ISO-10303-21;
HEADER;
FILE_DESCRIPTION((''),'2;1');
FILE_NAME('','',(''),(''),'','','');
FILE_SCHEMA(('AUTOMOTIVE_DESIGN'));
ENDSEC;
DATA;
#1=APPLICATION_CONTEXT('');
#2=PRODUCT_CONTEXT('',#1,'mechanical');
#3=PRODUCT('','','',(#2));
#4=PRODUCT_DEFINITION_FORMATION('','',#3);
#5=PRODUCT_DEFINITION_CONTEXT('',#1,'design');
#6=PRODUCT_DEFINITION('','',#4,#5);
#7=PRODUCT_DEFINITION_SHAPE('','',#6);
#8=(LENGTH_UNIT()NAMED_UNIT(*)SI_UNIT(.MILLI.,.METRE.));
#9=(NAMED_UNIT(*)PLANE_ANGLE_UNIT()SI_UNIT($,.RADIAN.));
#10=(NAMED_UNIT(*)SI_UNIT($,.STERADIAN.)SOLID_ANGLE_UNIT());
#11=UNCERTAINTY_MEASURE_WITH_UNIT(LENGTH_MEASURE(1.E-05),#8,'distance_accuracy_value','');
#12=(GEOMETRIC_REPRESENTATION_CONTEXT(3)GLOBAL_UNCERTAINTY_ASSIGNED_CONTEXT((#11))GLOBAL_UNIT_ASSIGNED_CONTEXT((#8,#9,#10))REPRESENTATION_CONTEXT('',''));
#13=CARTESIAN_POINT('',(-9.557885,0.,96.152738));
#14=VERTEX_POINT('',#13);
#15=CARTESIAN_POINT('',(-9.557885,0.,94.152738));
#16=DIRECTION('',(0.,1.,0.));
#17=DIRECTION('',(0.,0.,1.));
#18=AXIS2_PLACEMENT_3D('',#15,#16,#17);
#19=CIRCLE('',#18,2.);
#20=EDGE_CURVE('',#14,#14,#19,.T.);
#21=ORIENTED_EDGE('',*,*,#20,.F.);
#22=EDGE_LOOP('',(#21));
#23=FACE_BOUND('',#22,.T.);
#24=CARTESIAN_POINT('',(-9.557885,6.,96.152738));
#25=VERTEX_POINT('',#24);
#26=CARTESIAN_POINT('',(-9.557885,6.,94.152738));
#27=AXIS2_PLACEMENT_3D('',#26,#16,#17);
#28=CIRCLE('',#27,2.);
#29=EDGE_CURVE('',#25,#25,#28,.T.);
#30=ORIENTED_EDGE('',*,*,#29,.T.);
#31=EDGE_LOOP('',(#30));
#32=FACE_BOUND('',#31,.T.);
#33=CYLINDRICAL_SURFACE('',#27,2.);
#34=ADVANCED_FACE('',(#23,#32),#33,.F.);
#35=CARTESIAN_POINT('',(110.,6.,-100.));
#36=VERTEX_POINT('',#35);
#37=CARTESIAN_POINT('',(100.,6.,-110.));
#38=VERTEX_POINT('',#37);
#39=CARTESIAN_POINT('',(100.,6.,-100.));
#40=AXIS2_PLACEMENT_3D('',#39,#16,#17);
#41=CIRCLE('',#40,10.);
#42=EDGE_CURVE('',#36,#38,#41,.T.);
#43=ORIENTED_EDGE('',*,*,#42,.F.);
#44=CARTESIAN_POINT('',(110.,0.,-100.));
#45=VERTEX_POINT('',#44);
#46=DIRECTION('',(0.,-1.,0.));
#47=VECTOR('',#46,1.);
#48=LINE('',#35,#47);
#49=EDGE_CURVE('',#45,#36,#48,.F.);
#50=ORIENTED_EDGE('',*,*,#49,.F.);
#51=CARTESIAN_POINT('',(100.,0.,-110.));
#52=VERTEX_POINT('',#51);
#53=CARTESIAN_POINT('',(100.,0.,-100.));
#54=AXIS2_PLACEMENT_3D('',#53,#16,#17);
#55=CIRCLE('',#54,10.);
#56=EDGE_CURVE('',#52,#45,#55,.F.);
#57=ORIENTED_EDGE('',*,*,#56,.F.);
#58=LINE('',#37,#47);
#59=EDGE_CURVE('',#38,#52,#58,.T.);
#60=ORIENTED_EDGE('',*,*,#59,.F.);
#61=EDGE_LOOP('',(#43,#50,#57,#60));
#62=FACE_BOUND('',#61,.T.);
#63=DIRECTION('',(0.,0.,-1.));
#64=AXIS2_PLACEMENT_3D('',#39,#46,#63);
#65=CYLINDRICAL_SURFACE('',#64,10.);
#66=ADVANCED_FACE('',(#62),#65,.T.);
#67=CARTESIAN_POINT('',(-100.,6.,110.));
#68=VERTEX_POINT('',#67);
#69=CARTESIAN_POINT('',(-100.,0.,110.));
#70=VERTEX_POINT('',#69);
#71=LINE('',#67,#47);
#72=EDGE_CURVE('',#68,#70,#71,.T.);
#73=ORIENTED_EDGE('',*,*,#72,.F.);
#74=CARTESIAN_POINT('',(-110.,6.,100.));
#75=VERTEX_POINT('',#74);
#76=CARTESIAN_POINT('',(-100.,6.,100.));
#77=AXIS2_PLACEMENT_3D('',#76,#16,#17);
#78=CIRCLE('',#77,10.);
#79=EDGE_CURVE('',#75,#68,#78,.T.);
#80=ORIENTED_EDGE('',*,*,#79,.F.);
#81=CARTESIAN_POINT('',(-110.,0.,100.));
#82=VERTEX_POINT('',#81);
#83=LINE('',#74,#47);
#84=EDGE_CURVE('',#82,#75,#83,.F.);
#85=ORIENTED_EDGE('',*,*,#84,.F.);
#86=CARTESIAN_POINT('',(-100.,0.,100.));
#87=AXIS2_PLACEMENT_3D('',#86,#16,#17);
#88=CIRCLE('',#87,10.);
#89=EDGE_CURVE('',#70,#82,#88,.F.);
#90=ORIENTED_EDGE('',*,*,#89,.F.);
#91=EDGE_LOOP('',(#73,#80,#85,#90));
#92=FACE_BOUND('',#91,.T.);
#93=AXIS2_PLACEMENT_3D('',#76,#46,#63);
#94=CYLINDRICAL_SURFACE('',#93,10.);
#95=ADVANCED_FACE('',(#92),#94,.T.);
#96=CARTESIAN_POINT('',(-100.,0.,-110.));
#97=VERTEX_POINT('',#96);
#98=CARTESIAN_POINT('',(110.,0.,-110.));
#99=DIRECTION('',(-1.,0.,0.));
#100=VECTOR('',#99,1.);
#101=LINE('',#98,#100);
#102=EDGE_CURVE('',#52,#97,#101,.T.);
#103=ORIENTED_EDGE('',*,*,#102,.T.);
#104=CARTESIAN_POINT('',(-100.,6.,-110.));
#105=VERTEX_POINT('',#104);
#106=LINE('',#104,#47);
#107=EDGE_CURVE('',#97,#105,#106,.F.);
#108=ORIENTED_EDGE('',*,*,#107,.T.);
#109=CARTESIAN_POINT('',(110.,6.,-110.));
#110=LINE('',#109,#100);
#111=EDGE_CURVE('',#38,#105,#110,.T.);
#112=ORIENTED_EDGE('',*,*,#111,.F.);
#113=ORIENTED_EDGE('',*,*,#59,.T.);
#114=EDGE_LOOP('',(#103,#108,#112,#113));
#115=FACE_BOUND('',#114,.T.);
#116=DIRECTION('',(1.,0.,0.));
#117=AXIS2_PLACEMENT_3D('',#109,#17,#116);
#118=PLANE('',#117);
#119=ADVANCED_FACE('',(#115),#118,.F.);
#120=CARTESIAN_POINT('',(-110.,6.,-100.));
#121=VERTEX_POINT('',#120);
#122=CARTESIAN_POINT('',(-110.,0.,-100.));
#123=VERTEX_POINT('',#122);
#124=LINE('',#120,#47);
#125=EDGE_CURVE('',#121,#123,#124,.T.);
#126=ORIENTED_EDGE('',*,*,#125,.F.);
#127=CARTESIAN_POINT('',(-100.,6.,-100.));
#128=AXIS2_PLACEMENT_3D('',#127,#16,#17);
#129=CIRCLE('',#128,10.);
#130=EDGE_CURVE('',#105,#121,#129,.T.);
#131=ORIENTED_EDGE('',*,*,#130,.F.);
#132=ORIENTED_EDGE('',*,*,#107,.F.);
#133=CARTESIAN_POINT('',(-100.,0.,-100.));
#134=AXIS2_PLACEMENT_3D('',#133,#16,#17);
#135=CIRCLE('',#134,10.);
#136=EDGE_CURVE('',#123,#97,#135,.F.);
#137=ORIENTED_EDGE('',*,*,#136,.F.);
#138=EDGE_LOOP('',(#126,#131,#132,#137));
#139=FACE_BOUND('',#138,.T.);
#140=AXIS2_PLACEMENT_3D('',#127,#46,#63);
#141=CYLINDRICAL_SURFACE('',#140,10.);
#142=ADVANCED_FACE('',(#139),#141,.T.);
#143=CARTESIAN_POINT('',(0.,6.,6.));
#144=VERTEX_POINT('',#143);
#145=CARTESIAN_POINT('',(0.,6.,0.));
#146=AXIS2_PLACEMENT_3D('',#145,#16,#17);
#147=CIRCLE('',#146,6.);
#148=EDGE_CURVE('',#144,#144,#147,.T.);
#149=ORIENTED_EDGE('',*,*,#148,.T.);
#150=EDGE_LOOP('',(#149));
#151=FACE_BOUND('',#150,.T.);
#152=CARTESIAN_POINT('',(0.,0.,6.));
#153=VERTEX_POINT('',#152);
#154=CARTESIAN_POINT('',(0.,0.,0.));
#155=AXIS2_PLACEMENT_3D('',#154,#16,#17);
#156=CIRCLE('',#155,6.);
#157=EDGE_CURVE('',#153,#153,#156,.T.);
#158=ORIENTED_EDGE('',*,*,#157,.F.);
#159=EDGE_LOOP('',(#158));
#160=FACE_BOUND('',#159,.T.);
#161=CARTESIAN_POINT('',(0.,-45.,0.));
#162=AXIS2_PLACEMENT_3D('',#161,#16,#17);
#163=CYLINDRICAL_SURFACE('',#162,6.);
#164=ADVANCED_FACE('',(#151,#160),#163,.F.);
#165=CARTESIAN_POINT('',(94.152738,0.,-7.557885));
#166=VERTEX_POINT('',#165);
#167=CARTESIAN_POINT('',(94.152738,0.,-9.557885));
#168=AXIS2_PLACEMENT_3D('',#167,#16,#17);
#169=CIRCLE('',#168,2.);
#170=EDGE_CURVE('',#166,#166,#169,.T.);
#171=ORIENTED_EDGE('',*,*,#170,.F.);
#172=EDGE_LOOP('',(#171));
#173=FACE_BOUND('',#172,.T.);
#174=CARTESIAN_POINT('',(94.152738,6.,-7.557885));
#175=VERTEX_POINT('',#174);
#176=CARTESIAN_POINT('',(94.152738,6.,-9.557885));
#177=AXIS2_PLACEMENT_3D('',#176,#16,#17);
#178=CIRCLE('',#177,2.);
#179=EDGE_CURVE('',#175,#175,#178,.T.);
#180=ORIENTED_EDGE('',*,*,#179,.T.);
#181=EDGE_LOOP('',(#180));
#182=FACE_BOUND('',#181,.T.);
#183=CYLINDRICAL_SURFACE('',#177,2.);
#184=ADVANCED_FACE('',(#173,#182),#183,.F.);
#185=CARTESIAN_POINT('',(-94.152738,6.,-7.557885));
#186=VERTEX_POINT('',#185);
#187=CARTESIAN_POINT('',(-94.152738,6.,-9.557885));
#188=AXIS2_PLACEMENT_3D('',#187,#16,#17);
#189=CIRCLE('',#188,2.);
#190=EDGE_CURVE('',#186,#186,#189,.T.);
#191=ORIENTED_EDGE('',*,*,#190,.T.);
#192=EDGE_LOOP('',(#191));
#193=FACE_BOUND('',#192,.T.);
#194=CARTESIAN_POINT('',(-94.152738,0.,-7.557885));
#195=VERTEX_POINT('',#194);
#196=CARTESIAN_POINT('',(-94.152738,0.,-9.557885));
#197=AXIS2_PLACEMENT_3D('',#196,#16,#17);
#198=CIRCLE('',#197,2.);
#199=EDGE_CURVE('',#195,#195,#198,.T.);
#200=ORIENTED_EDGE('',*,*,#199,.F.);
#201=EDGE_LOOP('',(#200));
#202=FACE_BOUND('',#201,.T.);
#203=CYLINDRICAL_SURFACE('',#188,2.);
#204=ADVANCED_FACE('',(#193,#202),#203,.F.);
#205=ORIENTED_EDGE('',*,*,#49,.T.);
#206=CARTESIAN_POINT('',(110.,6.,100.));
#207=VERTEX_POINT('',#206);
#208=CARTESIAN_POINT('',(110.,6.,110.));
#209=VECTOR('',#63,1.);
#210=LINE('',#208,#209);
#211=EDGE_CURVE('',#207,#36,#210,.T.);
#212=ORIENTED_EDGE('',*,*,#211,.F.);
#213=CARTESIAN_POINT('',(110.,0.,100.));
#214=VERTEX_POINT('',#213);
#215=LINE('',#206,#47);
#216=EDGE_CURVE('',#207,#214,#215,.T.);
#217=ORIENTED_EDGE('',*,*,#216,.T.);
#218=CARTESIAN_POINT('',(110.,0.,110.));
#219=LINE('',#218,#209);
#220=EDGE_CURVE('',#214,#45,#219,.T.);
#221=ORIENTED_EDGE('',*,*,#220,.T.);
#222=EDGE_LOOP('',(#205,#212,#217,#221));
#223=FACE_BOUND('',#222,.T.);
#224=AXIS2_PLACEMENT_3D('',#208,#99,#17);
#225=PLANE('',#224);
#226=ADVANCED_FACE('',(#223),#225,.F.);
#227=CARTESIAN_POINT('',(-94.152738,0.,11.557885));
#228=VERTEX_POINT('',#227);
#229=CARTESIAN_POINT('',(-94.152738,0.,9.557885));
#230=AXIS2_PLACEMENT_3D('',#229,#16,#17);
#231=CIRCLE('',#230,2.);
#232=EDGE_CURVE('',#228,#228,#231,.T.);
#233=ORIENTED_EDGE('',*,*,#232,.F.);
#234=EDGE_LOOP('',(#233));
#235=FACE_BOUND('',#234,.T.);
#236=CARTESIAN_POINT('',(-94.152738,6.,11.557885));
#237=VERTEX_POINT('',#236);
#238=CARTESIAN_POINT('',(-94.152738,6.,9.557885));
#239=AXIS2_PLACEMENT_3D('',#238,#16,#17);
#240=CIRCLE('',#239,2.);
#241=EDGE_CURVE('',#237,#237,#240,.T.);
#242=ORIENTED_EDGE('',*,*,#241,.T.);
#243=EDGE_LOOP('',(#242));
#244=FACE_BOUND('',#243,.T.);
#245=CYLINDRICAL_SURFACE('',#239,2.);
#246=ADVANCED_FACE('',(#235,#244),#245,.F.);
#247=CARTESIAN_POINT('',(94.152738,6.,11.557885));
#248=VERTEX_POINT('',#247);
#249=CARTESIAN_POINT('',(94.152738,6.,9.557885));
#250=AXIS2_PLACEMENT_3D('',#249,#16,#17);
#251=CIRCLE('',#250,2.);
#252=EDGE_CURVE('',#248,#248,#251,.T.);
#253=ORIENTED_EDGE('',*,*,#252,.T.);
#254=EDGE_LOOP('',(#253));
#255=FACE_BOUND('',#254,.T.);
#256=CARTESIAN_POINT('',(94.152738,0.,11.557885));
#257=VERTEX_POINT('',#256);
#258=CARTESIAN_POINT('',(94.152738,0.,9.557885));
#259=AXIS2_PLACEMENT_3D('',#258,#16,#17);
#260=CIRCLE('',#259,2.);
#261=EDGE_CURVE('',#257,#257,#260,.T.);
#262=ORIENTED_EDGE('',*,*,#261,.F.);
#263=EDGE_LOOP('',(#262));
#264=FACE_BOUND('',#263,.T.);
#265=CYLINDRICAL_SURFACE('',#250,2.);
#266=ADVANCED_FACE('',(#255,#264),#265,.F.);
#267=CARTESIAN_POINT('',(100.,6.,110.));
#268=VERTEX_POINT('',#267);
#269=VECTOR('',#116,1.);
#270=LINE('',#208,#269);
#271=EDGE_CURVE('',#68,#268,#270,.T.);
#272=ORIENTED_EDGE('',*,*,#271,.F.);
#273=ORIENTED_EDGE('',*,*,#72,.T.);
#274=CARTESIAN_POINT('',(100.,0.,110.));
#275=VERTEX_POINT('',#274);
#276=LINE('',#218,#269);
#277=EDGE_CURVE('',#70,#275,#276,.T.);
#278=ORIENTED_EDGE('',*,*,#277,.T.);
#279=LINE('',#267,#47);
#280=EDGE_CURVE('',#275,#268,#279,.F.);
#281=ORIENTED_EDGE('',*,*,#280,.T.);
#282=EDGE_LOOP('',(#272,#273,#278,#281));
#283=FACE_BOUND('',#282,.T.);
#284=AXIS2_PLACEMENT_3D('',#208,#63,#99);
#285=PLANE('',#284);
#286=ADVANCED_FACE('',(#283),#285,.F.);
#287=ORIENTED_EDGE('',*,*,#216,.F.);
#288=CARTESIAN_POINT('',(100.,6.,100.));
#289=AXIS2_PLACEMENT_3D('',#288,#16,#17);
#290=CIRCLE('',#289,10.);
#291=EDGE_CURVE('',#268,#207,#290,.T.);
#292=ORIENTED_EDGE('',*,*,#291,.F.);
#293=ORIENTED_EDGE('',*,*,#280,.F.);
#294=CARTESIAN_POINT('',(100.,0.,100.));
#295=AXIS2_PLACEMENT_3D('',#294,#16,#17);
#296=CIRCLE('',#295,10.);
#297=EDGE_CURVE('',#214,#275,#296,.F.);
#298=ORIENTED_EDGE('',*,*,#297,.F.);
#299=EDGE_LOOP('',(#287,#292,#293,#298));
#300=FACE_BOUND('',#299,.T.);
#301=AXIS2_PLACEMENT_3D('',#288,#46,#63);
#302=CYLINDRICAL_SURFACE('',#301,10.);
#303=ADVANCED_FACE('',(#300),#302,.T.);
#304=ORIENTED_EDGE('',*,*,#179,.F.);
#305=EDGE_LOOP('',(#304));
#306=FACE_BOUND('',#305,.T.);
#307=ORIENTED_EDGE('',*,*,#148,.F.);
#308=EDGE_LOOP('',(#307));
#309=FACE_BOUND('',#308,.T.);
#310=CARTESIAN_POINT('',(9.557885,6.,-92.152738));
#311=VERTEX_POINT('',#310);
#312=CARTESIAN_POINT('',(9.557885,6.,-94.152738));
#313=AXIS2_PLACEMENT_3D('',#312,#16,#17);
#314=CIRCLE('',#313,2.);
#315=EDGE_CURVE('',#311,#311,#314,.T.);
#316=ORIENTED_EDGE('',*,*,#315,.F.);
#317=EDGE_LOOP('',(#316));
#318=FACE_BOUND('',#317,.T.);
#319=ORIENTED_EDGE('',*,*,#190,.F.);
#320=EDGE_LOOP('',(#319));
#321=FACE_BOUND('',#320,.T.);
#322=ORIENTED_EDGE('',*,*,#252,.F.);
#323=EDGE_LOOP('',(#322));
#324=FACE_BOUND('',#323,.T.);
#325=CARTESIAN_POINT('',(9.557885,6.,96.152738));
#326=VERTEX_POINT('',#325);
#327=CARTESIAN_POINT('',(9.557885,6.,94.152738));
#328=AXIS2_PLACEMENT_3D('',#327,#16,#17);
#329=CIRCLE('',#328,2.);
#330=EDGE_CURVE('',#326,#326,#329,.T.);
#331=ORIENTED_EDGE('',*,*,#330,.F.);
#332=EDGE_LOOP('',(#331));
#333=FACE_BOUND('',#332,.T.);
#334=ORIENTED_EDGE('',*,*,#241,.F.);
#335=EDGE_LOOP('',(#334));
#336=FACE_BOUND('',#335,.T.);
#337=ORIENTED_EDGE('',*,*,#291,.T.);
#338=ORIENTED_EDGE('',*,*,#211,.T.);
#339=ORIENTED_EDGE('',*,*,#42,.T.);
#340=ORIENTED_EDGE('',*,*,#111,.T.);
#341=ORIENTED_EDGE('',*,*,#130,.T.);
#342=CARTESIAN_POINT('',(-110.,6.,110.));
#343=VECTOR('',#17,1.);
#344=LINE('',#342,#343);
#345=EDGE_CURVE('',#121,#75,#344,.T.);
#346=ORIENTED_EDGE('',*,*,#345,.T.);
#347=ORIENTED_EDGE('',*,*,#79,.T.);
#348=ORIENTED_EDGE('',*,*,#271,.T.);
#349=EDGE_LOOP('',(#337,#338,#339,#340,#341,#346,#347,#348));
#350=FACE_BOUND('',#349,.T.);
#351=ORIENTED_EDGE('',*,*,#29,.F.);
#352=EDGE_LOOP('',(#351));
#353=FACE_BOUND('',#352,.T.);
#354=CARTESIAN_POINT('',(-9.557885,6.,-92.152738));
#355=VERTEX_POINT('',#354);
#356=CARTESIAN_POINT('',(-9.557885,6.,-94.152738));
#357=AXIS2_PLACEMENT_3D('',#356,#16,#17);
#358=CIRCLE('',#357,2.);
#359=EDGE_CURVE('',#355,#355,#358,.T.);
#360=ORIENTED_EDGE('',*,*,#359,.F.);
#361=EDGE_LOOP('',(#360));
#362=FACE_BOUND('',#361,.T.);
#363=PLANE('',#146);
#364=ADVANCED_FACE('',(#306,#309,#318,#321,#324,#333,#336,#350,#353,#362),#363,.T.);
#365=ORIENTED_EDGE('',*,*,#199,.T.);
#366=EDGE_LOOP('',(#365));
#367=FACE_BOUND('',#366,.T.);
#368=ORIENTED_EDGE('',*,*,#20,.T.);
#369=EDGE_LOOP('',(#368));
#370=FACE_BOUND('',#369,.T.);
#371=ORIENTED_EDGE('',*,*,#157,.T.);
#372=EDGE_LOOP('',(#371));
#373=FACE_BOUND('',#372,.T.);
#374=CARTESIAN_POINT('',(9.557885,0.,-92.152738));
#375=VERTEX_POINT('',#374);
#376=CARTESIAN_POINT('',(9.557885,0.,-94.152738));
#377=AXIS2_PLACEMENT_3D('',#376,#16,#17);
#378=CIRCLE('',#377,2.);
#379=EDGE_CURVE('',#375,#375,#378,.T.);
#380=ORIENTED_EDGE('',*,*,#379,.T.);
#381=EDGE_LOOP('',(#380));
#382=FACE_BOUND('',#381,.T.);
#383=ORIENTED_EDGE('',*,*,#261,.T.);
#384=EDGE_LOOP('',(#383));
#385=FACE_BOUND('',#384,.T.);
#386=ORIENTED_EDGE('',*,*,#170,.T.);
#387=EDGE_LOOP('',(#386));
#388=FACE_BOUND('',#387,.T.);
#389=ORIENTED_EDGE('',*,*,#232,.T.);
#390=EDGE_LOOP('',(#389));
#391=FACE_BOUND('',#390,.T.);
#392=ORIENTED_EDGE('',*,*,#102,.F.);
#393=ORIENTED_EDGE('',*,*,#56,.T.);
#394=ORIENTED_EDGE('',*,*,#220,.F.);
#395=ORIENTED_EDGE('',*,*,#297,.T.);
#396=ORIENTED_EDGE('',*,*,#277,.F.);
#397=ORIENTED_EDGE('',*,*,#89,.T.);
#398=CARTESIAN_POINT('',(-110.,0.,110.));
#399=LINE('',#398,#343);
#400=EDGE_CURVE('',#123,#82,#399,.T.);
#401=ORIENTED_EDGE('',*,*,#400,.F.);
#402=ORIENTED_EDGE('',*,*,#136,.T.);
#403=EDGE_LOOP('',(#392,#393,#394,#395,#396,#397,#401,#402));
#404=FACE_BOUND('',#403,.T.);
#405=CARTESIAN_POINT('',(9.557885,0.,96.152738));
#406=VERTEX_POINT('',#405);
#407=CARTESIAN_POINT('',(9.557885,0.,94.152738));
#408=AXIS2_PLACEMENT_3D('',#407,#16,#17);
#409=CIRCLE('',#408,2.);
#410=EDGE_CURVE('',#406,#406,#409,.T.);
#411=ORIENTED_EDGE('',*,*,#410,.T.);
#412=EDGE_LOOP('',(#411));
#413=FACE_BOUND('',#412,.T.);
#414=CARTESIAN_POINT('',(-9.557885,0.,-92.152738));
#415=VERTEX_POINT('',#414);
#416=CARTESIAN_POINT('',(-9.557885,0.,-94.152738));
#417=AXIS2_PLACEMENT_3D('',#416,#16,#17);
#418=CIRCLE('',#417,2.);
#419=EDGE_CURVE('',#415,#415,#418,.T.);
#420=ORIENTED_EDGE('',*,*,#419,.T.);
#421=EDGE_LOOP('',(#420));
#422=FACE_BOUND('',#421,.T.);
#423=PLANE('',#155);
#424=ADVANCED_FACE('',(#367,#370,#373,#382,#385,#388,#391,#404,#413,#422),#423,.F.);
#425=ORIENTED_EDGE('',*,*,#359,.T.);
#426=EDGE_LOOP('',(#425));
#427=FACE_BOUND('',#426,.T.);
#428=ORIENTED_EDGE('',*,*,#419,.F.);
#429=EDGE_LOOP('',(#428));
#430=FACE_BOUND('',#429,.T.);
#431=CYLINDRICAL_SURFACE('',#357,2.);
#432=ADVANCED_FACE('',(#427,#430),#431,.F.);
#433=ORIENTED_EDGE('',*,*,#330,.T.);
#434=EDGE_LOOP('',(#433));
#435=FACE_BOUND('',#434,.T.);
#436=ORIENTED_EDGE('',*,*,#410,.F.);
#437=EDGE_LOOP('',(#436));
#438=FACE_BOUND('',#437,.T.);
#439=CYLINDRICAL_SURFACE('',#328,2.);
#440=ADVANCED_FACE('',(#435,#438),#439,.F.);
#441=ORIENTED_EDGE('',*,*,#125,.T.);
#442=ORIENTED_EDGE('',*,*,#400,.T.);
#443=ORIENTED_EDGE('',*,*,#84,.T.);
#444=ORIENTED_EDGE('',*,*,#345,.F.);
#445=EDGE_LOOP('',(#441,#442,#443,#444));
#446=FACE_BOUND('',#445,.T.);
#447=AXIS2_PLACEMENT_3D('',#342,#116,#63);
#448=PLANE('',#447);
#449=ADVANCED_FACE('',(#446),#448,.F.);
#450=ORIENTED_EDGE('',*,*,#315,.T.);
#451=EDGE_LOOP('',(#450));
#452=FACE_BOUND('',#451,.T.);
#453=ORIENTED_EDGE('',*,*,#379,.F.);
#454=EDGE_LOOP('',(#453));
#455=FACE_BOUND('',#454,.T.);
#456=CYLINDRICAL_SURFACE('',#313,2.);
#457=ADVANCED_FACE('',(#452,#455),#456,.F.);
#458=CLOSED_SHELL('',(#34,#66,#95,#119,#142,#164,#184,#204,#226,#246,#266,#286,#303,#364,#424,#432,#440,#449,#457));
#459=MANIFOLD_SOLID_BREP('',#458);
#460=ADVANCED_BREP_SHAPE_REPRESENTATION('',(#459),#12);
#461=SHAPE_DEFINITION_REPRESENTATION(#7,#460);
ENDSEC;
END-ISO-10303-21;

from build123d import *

# Parameters (mm, degrees)
SKETCH1_W                 = 220
SKETCH1_H                 = 220
BOSS_EXTRUDE1_DEPTH       = 6
SKETCH2_R                 = 6
CUT_EXTRUDE1_DEPTH        = 51
FILLET1_R                 = 10
F_4_0MM_DOWEL_HOLE1_D     = 4
F_4_0MM_DOWEL_HOLE1_DEPTH = 25.4
F_4_0MM_DOWEL_HOLE1_TIP   = 1.201721238


with BuildPart() as part:
    # Sketch1 → Boss-Extrude1 (new body)
    with BuildSketch(Plane(origin=(0, 0, 0), x_dir=(1, 0, 0), z_dir=(0, 1, 0))):
        Rectangle(SKETCH1_W, SKETCH1_H)
    extrude(amount=BOSS_EXTRUDE1_DEPTH)

    # Sketch2 → Cut-Extrude1 (cut)
    with BuildSketch(Plane(origin=(0, 6, 0), x_dir=(1, 0, 0), z_dir=(0, 1, 0))):
        with Locations(Location((0, 0, 0), (0, 0, 270))):
            Circle(SKETCH2_R)
    extrude(amount=-CUT_EXTRUDE1_DEPTH, mode=Mode.SUBTRACT)

    # Fillet1
    fillet1_edges = [part.edges().sort_by_distance(p)[0] for p in [
        (-110, 3, -110),
        (110, 3, -110),
        (110, 3, 110),
        (-110, 3, 110),
    ]]
    fillet(fillet1_edges, radius=FILLET1_R)

    # Ø4.0mm Dowel Hole1
    with Locations(Plane(origin=(0, 6, 0), x_dir=(1, 0, 0), z_dir=(0, 1, 0))):
        with Locations((-9.557884959, -94.152737777), (9.557884959, -94.152737777), (94.152737777, -9.557884959), (94.152737777, 9.557884959), (9.557884959, 94.152737777), (-9.557884959, 94.152737777), (-94.152737777, 9.557884959), (-94.152737777, -9.557884959)):
            Hole(F_4_0MM_DOWEL_HOLE1_D / 2, depth=F_4_0MM_DOWEL_HOLE1_DEPTH)
            with Locations((0, 0, -(F_4_0MM_DOWEL_HOLE1_DEPTH + F_4_0MM_DOWEL_HOLE1_TIP / 2))):  # 118° drill point
                Cone(0, F_4_0MM_DOWEL_HOLE1_D / 2, F_4_0MM_DOWEL_HOLE1_TIP, mode=Mode.SUBTRACT)


solid = part.part
